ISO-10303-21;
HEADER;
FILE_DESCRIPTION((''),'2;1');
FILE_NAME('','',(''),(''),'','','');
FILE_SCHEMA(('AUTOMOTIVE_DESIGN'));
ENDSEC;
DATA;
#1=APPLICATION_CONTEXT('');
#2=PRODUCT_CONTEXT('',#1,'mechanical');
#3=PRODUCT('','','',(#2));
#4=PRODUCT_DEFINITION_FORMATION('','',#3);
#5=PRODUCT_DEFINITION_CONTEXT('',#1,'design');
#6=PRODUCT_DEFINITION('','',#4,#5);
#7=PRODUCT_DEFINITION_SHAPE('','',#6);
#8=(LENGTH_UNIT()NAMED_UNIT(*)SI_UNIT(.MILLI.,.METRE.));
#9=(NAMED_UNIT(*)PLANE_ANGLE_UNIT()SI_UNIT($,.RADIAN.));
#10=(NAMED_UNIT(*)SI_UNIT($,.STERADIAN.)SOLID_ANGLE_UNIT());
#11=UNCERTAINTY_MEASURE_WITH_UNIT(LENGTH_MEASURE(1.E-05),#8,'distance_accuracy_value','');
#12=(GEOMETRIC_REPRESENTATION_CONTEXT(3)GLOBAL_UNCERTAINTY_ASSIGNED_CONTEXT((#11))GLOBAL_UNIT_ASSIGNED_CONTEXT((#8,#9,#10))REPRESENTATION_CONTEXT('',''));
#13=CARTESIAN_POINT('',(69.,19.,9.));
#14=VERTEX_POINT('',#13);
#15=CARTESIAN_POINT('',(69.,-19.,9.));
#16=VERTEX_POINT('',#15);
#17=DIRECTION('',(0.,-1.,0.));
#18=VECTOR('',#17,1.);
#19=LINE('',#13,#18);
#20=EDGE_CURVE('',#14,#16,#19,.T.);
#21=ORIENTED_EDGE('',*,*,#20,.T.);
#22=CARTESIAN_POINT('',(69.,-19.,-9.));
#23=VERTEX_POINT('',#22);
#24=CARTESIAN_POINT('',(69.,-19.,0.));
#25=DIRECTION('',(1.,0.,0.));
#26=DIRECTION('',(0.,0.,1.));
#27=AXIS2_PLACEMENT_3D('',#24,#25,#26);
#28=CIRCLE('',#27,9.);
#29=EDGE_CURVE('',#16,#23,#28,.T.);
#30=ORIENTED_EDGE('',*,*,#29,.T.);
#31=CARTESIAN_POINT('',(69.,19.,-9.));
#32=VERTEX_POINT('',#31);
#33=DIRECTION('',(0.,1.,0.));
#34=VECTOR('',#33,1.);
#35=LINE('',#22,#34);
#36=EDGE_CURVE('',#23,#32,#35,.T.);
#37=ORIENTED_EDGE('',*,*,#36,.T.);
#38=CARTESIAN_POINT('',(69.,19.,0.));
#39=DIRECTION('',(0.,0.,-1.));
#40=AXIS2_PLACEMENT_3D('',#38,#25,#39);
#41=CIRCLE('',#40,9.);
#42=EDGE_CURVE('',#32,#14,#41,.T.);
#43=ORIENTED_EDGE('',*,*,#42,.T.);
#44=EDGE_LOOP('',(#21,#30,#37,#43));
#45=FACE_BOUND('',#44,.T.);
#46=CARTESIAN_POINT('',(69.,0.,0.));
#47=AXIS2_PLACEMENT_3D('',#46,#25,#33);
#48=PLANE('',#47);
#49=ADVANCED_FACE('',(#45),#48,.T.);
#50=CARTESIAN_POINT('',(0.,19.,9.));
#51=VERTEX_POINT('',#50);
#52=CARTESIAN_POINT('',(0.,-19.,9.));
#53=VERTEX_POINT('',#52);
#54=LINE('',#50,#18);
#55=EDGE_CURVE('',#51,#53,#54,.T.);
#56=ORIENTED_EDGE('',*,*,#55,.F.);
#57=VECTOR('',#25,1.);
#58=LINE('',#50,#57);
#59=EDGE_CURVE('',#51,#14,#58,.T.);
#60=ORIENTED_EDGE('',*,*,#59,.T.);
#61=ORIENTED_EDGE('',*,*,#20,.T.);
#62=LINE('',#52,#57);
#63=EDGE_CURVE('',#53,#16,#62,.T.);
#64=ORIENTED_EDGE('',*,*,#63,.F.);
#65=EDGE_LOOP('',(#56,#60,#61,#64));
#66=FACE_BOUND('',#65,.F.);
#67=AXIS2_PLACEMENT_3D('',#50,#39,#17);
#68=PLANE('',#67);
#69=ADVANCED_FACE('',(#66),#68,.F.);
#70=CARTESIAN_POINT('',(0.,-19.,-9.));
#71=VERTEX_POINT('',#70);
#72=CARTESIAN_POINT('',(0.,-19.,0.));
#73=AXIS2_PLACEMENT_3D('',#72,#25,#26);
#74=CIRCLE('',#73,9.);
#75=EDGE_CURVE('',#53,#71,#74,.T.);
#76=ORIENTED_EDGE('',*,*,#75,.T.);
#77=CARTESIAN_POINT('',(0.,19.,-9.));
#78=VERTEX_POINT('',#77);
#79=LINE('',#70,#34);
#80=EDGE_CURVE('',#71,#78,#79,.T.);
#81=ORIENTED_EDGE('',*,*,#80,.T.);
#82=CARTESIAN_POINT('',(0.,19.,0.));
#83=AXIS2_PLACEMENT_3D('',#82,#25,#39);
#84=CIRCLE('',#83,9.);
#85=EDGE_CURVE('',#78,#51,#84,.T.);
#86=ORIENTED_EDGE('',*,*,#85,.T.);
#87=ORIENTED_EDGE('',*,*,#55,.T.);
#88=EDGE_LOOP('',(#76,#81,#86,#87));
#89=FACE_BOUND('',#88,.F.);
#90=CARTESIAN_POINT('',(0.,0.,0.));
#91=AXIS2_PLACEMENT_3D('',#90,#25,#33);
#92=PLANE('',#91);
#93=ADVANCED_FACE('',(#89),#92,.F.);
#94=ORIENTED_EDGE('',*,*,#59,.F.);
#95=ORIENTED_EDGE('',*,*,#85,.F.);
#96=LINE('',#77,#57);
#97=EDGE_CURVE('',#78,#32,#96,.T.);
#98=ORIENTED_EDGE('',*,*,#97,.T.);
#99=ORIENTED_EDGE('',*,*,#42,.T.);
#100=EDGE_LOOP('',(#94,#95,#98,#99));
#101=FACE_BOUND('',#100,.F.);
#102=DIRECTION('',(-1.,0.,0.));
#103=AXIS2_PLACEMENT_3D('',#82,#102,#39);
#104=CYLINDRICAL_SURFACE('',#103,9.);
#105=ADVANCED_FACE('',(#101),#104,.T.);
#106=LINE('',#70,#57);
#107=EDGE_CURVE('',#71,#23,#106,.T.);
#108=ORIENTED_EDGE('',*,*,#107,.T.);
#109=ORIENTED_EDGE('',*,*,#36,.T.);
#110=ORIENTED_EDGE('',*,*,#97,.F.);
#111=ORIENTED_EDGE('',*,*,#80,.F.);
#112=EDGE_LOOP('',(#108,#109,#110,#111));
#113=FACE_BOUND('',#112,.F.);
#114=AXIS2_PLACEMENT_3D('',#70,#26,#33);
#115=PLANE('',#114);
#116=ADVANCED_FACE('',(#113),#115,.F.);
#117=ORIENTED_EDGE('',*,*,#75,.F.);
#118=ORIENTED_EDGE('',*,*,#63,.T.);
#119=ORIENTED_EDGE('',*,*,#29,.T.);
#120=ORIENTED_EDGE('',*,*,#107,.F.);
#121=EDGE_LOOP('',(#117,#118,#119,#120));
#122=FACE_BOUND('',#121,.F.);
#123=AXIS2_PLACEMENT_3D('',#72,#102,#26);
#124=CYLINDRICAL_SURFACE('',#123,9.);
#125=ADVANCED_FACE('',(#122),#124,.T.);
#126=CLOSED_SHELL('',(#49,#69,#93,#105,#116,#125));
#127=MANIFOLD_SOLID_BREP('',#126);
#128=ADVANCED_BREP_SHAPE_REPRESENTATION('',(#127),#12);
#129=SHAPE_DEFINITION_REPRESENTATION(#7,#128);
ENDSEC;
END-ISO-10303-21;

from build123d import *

# Parameters (mm, degrees)
F1_DEPTH = 69


with BuildPart() as f1:
    # F0 (on Right) → F1 (new body)
    with BuildSketch(Plane.YZ):
        with BuildLine():
            ThreePointArc((-19, 9), (-28, 0), (-19, -9))
            Line((-19, -9), (19, -9))
            ThreePointArc((19, -9), (28, 0), (19, 9))
            Line((19, 9), (-19, 9))
        make_face()
    extrude(amount=F1_DEPTH)


solid = f1.part
